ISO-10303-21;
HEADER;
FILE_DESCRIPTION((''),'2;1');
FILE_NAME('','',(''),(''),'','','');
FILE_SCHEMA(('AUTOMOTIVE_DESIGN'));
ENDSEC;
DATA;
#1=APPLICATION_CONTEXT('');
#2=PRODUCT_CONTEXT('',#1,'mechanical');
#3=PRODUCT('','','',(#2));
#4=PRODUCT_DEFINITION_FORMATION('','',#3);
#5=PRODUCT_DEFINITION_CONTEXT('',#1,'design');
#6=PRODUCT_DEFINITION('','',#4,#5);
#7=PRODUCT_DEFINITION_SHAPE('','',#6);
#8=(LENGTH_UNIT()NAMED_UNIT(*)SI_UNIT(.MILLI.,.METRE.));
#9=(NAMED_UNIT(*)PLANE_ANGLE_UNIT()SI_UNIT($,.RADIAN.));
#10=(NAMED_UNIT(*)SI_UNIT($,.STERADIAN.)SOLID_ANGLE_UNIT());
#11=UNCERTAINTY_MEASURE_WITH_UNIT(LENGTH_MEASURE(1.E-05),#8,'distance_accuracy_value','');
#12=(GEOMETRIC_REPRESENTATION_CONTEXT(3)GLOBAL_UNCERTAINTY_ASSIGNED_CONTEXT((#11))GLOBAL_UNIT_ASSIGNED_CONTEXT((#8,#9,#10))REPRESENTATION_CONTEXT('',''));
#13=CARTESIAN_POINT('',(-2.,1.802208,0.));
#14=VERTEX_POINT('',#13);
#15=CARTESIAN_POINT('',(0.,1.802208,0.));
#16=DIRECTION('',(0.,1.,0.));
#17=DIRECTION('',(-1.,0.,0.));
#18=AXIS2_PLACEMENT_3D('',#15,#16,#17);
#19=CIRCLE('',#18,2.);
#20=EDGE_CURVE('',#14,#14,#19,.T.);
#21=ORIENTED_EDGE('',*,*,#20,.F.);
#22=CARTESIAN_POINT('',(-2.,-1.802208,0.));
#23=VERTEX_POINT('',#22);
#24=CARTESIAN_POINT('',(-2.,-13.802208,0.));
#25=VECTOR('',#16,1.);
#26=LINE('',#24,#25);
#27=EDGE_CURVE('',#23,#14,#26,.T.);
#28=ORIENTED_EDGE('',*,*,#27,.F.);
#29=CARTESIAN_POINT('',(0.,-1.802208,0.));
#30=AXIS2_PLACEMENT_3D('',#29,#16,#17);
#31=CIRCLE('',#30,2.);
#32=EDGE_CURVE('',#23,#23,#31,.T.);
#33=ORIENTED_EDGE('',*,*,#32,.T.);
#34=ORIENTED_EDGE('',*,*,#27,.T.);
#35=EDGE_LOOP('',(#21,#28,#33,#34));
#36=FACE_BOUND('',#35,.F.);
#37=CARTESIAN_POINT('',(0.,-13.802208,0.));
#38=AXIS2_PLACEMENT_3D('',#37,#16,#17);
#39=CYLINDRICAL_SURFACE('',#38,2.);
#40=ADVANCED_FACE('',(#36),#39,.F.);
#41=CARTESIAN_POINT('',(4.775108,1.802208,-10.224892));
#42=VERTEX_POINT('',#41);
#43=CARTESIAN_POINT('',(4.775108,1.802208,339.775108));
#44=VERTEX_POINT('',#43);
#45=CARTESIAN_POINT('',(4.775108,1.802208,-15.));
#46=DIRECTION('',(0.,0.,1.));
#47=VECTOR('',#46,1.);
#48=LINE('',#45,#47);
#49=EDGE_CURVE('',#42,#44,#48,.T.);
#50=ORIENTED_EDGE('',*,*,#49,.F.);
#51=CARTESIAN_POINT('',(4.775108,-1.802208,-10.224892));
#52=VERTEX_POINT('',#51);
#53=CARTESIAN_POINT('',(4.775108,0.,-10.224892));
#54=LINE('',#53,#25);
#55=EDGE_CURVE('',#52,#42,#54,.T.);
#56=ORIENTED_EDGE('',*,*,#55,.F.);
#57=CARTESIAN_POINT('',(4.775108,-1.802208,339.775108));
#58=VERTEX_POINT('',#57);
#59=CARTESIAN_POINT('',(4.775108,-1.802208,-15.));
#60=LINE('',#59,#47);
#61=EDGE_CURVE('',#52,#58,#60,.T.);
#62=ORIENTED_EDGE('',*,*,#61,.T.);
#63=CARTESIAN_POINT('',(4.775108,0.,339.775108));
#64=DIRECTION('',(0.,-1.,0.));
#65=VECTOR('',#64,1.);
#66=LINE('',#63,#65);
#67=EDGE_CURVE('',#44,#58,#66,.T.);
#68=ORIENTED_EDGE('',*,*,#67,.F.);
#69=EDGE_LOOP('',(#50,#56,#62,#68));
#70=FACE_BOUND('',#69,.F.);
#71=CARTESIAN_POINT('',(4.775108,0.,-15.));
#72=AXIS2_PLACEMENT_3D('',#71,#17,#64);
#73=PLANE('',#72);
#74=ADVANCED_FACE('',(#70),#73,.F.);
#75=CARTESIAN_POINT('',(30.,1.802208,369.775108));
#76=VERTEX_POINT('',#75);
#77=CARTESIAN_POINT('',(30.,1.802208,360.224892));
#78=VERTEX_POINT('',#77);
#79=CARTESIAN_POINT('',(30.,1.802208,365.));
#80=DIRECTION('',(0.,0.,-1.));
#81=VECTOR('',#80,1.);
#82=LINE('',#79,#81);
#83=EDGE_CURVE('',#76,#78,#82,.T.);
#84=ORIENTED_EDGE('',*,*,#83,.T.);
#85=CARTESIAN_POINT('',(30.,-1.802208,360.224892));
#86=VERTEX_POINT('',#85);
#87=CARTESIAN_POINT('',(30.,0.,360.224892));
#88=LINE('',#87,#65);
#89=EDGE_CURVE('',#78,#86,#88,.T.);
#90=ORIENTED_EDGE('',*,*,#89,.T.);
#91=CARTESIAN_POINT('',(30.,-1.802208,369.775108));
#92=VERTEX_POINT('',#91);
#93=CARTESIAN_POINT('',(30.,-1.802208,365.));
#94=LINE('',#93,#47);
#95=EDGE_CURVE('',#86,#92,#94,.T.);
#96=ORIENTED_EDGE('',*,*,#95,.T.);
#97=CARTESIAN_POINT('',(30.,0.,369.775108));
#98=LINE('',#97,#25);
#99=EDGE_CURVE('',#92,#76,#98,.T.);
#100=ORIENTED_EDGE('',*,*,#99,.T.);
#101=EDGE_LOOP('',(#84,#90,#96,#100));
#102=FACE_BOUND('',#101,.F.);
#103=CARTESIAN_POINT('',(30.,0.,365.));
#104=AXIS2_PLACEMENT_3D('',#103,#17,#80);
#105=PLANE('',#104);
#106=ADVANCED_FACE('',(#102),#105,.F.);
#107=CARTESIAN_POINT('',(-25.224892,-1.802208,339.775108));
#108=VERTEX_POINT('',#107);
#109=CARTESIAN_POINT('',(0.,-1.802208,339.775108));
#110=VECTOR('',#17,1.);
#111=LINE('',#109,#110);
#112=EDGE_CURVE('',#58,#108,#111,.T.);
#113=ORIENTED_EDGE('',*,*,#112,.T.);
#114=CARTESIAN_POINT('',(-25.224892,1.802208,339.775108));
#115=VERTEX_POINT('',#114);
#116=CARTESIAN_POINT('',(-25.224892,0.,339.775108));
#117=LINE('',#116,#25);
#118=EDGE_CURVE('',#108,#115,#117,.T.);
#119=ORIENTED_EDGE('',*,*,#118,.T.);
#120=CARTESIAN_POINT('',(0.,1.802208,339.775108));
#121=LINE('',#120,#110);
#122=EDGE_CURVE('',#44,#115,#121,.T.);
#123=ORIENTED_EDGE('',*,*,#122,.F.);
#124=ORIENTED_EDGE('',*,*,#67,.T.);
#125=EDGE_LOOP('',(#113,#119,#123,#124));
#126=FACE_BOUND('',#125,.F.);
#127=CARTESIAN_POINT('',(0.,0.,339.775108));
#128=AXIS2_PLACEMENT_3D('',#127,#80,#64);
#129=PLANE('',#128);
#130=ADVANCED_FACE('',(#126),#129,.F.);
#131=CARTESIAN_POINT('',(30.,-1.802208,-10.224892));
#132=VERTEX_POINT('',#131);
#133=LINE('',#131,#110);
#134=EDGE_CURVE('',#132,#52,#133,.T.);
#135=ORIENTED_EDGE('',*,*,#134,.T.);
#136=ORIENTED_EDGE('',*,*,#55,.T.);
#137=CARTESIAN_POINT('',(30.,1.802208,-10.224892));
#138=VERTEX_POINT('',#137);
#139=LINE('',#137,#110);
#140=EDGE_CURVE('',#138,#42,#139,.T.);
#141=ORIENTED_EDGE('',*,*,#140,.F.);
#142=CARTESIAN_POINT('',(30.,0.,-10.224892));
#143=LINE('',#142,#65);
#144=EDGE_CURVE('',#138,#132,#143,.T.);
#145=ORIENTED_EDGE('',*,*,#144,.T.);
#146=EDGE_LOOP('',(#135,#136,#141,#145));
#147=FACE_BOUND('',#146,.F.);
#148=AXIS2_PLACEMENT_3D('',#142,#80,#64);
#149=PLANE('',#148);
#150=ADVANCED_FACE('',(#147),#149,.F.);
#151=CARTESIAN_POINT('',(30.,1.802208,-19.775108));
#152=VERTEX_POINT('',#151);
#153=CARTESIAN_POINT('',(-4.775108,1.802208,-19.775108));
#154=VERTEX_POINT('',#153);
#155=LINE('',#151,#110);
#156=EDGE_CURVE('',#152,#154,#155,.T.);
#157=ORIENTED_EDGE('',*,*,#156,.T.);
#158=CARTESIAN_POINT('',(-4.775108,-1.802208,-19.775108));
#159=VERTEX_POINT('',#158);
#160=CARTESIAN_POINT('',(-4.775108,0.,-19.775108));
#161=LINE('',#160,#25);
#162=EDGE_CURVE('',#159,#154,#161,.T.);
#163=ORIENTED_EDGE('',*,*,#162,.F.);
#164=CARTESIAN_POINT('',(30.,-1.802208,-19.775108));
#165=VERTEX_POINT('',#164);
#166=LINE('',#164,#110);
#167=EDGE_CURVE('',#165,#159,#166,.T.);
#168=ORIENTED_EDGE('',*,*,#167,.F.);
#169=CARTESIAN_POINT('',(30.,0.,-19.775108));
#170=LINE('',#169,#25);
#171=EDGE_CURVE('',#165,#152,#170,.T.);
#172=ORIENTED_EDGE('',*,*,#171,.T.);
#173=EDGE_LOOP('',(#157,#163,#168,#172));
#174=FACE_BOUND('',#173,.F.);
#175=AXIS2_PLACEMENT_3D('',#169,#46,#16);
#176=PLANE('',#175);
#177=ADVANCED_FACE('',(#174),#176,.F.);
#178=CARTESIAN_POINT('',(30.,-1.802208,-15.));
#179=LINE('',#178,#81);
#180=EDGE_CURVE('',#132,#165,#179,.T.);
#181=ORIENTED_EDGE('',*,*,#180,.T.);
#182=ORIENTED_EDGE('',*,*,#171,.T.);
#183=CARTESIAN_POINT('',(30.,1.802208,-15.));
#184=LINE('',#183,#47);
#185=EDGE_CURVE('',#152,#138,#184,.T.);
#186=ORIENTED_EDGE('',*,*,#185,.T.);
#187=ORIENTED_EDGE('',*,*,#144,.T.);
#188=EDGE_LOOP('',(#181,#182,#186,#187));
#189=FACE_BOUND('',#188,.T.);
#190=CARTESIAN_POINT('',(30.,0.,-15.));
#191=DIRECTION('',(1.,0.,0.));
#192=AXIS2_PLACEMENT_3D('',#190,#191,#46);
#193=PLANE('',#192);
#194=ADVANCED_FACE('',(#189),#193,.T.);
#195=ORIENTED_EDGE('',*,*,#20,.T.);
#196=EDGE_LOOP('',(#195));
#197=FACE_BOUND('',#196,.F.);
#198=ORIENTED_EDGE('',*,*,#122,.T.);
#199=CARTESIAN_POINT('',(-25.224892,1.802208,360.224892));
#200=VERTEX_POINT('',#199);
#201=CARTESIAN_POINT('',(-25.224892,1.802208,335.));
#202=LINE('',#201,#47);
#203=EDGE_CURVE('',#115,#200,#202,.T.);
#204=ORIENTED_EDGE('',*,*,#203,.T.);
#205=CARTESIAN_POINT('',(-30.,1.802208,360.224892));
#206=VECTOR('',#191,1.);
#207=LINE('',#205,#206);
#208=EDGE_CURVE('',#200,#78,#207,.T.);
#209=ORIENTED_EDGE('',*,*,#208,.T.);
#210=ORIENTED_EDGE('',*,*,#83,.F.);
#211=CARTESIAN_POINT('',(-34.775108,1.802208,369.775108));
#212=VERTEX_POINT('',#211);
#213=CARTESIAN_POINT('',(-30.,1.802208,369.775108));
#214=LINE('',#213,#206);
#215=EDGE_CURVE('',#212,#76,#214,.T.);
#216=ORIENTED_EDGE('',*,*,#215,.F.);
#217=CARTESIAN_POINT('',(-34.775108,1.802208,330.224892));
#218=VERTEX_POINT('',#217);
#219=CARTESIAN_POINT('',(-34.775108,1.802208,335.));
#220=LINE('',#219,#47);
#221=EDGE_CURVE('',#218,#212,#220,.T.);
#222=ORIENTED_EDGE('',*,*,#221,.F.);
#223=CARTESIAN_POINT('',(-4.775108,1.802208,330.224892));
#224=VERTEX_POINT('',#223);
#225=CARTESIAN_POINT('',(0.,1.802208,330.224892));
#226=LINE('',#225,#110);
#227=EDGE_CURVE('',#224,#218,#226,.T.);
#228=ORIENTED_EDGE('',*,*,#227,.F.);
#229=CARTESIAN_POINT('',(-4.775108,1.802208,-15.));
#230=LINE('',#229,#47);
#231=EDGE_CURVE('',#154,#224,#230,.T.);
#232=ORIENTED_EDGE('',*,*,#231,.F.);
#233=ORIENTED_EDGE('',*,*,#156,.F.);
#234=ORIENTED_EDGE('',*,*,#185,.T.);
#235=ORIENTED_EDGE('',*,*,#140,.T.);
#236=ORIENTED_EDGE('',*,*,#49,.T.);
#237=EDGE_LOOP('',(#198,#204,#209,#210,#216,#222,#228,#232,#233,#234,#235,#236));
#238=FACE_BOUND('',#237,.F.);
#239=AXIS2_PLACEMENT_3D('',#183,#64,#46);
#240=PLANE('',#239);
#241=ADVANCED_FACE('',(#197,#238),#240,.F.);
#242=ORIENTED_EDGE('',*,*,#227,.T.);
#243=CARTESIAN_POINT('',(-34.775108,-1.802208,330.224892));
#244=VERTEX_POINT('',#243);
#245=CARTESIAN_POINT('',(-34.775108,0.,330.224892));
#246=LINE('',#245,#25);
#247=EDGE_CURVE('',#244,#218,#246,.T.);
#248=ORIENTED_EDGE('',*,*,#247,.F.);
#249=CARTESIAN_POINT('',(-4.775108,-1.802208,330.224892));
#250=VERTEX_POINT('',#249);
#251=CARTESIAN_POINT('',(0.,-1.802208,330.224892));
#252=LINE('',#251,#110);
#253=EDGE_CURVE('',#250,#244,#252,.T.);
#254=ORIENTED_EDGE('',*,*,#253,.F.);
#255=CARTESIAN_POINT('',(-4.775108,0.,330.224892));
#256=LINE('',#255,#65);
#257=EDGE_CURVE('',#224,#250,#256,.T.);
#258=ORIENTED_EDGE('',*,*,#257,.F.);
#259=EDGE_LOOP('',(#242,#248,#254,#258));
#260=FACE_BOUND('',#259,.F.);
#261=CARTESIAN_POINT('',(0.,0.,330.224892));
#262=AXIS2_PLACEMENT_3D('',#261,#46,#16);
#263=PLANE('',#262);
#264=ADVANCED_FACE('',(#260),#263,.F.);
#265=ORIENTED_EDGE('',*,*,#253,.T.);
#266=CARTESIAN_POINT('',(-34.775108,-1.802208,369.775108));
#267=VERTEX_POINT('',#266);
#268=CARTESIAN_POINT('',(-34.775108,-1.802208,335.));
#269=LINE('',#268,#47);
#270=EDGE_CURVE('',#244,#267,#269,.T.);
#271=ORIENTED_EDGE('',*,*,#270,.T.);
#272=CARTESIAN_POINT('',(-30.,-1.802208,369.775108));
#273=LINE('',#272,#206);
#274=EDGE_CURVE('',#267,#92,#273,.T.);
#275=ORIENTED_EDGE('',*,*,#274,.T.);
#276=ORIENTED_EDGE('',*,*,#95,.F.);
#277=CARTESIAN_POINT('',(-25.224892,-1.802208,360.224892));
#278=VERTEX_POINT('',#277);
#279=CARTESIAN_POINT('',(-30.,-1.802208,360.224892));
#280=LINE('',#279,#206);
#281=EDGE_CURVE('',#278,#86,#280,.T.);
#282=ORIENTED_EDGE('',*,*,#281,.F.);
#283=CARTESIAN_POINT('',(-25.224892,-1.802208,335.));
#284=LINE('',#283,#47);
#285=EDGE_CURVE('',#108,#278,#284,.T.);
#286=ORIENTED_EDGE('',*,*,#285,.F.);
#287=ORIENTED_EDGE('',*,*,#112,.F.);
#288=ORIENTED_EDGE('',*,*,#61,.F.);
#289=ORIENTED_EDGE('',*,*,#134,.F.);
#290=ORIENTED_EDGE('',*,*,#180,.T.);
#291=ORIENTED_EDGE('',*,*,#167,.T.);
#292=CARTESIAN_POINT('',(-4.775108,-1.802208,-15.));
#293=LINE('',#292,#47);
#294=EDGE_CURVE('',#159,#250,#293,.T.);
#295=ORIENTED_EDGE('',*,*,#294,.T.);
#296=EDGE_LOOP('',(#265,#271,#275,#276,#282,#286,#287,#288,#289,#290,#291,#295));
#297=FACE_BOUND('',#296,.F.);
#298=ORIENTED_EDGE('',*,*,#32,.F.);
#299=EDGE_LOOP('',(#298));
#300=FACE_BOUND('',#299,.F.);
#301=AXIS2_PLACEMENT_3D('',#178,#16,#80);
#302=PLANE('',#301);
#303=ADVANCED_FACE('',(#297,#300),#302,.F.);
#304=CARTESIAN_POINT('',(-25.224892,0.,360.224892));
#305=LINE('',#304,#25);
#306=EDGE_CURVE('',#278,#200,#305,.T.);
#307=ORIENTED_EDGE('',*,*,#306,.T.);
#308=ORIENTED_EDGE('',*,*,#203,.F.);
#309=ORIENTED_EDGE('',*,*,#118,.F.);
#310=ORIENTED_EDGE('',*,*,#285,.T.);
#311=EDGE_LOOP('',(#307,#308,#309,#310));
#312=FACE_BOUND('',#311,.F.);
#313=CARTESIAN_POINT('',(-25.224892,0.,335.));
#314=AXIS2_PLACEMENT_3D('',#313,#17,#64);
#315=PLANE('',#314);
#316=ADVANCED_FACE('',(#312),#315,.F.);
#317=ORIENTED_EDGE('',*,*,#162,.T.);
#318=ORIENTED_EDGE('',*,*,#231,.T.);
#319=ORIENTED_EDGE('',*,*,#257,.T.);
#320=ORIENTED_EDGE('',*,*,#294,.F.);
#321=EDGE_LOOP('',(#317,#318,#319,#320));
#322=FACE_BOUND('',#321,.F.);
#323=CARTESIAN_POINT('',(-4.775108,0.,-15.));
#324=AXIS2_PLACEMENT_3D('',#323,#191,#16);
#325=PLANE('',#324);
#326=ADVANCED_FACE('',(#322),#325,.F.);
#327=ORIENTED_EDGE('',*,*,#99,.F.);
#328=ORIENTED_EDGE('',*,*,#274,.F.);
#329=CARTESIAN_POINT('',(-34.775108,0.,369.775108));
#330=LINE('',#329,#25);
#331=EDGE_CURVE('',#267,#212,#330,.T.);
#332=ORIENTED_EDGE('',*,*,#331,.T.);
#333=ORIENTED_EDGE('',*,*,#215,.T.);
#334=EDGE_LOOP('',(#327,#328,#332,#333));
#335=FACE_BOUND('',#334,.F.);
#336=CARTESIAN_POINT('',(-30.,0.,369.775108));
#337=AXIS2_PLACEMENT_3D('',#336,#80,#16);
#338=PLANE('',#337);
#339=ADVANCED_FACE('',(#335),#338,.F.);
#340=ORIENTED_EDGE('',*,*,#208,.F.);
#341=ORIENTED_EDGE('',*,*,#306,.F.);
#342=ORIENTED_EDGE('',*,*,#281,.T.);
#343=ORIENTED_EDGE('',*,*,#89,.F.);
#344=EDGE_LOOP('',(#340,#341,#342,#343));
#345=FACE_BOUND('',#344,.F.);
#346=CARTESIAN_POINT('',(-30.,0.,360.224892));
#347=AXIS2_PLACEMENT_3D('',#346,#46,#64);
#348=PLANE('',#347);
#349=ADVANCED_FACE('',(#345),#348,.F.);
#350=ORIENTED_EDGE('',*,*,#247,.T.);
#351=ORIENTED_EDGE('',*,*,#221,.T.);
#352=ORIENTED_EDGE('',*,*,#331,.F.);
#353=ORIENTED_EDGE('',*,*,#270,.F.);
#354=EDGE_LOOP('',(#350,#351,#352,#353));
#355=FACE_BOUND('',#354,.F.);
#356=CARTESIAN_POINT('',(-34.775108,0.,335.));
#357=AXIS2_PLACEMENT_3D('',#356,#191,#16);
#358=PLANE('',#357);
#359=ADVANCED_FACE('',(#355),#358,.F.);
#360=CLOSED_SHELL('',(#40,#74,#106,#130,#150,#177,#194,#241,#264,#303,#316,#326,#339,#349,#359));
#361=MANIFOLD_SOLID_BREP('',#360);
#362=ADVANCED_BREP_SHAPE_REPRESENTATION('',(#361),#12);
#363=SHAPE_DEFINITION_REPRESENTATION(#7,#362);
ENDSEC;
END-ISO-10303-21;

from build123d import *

# Parameters (mm, degrees)
F1_W     = 3.6044168291
F1_H     = 9.5502150147
F4_D     = 4
F4_DEPTH = 12
F4_TIP   = 1.2017212381


with BuildPart() as f2:
    # F2: sweep along a path in F0
    with BuildLine(Plane.XZ) as f2_path:
        Line((30, -15), (0, -15))
        Line((0, -15), (0, 335))
        Line((0, 335), (-30, 335))
        Line((-30, 335), (-30, 365))
        Line((-30, 365), (30, 365))
    # F1 (on Right) → F2 (sweep)
    with BuildSketch(Plane.YZ):
        with Locations((0, -15)):
            Rectangle(F1_W, F1_H)
    sweep(path=f2_path.line, transition=Transition.RIGHT)

    # F4
    with Locations(Plane.XZ.offset(1.8022084145)):
        with Locations((0, 0)):
            Hole(F4_D / 2, depth=F4_DEPTH)
            with Locations((0, 0, -(F4_DEPTH + F4_TIP / 2))):  # 118° drill point
                Cone(0, F4_D / 2, F4_TIP, mode=Mode.SUBTRACT)


solid = f2.part
